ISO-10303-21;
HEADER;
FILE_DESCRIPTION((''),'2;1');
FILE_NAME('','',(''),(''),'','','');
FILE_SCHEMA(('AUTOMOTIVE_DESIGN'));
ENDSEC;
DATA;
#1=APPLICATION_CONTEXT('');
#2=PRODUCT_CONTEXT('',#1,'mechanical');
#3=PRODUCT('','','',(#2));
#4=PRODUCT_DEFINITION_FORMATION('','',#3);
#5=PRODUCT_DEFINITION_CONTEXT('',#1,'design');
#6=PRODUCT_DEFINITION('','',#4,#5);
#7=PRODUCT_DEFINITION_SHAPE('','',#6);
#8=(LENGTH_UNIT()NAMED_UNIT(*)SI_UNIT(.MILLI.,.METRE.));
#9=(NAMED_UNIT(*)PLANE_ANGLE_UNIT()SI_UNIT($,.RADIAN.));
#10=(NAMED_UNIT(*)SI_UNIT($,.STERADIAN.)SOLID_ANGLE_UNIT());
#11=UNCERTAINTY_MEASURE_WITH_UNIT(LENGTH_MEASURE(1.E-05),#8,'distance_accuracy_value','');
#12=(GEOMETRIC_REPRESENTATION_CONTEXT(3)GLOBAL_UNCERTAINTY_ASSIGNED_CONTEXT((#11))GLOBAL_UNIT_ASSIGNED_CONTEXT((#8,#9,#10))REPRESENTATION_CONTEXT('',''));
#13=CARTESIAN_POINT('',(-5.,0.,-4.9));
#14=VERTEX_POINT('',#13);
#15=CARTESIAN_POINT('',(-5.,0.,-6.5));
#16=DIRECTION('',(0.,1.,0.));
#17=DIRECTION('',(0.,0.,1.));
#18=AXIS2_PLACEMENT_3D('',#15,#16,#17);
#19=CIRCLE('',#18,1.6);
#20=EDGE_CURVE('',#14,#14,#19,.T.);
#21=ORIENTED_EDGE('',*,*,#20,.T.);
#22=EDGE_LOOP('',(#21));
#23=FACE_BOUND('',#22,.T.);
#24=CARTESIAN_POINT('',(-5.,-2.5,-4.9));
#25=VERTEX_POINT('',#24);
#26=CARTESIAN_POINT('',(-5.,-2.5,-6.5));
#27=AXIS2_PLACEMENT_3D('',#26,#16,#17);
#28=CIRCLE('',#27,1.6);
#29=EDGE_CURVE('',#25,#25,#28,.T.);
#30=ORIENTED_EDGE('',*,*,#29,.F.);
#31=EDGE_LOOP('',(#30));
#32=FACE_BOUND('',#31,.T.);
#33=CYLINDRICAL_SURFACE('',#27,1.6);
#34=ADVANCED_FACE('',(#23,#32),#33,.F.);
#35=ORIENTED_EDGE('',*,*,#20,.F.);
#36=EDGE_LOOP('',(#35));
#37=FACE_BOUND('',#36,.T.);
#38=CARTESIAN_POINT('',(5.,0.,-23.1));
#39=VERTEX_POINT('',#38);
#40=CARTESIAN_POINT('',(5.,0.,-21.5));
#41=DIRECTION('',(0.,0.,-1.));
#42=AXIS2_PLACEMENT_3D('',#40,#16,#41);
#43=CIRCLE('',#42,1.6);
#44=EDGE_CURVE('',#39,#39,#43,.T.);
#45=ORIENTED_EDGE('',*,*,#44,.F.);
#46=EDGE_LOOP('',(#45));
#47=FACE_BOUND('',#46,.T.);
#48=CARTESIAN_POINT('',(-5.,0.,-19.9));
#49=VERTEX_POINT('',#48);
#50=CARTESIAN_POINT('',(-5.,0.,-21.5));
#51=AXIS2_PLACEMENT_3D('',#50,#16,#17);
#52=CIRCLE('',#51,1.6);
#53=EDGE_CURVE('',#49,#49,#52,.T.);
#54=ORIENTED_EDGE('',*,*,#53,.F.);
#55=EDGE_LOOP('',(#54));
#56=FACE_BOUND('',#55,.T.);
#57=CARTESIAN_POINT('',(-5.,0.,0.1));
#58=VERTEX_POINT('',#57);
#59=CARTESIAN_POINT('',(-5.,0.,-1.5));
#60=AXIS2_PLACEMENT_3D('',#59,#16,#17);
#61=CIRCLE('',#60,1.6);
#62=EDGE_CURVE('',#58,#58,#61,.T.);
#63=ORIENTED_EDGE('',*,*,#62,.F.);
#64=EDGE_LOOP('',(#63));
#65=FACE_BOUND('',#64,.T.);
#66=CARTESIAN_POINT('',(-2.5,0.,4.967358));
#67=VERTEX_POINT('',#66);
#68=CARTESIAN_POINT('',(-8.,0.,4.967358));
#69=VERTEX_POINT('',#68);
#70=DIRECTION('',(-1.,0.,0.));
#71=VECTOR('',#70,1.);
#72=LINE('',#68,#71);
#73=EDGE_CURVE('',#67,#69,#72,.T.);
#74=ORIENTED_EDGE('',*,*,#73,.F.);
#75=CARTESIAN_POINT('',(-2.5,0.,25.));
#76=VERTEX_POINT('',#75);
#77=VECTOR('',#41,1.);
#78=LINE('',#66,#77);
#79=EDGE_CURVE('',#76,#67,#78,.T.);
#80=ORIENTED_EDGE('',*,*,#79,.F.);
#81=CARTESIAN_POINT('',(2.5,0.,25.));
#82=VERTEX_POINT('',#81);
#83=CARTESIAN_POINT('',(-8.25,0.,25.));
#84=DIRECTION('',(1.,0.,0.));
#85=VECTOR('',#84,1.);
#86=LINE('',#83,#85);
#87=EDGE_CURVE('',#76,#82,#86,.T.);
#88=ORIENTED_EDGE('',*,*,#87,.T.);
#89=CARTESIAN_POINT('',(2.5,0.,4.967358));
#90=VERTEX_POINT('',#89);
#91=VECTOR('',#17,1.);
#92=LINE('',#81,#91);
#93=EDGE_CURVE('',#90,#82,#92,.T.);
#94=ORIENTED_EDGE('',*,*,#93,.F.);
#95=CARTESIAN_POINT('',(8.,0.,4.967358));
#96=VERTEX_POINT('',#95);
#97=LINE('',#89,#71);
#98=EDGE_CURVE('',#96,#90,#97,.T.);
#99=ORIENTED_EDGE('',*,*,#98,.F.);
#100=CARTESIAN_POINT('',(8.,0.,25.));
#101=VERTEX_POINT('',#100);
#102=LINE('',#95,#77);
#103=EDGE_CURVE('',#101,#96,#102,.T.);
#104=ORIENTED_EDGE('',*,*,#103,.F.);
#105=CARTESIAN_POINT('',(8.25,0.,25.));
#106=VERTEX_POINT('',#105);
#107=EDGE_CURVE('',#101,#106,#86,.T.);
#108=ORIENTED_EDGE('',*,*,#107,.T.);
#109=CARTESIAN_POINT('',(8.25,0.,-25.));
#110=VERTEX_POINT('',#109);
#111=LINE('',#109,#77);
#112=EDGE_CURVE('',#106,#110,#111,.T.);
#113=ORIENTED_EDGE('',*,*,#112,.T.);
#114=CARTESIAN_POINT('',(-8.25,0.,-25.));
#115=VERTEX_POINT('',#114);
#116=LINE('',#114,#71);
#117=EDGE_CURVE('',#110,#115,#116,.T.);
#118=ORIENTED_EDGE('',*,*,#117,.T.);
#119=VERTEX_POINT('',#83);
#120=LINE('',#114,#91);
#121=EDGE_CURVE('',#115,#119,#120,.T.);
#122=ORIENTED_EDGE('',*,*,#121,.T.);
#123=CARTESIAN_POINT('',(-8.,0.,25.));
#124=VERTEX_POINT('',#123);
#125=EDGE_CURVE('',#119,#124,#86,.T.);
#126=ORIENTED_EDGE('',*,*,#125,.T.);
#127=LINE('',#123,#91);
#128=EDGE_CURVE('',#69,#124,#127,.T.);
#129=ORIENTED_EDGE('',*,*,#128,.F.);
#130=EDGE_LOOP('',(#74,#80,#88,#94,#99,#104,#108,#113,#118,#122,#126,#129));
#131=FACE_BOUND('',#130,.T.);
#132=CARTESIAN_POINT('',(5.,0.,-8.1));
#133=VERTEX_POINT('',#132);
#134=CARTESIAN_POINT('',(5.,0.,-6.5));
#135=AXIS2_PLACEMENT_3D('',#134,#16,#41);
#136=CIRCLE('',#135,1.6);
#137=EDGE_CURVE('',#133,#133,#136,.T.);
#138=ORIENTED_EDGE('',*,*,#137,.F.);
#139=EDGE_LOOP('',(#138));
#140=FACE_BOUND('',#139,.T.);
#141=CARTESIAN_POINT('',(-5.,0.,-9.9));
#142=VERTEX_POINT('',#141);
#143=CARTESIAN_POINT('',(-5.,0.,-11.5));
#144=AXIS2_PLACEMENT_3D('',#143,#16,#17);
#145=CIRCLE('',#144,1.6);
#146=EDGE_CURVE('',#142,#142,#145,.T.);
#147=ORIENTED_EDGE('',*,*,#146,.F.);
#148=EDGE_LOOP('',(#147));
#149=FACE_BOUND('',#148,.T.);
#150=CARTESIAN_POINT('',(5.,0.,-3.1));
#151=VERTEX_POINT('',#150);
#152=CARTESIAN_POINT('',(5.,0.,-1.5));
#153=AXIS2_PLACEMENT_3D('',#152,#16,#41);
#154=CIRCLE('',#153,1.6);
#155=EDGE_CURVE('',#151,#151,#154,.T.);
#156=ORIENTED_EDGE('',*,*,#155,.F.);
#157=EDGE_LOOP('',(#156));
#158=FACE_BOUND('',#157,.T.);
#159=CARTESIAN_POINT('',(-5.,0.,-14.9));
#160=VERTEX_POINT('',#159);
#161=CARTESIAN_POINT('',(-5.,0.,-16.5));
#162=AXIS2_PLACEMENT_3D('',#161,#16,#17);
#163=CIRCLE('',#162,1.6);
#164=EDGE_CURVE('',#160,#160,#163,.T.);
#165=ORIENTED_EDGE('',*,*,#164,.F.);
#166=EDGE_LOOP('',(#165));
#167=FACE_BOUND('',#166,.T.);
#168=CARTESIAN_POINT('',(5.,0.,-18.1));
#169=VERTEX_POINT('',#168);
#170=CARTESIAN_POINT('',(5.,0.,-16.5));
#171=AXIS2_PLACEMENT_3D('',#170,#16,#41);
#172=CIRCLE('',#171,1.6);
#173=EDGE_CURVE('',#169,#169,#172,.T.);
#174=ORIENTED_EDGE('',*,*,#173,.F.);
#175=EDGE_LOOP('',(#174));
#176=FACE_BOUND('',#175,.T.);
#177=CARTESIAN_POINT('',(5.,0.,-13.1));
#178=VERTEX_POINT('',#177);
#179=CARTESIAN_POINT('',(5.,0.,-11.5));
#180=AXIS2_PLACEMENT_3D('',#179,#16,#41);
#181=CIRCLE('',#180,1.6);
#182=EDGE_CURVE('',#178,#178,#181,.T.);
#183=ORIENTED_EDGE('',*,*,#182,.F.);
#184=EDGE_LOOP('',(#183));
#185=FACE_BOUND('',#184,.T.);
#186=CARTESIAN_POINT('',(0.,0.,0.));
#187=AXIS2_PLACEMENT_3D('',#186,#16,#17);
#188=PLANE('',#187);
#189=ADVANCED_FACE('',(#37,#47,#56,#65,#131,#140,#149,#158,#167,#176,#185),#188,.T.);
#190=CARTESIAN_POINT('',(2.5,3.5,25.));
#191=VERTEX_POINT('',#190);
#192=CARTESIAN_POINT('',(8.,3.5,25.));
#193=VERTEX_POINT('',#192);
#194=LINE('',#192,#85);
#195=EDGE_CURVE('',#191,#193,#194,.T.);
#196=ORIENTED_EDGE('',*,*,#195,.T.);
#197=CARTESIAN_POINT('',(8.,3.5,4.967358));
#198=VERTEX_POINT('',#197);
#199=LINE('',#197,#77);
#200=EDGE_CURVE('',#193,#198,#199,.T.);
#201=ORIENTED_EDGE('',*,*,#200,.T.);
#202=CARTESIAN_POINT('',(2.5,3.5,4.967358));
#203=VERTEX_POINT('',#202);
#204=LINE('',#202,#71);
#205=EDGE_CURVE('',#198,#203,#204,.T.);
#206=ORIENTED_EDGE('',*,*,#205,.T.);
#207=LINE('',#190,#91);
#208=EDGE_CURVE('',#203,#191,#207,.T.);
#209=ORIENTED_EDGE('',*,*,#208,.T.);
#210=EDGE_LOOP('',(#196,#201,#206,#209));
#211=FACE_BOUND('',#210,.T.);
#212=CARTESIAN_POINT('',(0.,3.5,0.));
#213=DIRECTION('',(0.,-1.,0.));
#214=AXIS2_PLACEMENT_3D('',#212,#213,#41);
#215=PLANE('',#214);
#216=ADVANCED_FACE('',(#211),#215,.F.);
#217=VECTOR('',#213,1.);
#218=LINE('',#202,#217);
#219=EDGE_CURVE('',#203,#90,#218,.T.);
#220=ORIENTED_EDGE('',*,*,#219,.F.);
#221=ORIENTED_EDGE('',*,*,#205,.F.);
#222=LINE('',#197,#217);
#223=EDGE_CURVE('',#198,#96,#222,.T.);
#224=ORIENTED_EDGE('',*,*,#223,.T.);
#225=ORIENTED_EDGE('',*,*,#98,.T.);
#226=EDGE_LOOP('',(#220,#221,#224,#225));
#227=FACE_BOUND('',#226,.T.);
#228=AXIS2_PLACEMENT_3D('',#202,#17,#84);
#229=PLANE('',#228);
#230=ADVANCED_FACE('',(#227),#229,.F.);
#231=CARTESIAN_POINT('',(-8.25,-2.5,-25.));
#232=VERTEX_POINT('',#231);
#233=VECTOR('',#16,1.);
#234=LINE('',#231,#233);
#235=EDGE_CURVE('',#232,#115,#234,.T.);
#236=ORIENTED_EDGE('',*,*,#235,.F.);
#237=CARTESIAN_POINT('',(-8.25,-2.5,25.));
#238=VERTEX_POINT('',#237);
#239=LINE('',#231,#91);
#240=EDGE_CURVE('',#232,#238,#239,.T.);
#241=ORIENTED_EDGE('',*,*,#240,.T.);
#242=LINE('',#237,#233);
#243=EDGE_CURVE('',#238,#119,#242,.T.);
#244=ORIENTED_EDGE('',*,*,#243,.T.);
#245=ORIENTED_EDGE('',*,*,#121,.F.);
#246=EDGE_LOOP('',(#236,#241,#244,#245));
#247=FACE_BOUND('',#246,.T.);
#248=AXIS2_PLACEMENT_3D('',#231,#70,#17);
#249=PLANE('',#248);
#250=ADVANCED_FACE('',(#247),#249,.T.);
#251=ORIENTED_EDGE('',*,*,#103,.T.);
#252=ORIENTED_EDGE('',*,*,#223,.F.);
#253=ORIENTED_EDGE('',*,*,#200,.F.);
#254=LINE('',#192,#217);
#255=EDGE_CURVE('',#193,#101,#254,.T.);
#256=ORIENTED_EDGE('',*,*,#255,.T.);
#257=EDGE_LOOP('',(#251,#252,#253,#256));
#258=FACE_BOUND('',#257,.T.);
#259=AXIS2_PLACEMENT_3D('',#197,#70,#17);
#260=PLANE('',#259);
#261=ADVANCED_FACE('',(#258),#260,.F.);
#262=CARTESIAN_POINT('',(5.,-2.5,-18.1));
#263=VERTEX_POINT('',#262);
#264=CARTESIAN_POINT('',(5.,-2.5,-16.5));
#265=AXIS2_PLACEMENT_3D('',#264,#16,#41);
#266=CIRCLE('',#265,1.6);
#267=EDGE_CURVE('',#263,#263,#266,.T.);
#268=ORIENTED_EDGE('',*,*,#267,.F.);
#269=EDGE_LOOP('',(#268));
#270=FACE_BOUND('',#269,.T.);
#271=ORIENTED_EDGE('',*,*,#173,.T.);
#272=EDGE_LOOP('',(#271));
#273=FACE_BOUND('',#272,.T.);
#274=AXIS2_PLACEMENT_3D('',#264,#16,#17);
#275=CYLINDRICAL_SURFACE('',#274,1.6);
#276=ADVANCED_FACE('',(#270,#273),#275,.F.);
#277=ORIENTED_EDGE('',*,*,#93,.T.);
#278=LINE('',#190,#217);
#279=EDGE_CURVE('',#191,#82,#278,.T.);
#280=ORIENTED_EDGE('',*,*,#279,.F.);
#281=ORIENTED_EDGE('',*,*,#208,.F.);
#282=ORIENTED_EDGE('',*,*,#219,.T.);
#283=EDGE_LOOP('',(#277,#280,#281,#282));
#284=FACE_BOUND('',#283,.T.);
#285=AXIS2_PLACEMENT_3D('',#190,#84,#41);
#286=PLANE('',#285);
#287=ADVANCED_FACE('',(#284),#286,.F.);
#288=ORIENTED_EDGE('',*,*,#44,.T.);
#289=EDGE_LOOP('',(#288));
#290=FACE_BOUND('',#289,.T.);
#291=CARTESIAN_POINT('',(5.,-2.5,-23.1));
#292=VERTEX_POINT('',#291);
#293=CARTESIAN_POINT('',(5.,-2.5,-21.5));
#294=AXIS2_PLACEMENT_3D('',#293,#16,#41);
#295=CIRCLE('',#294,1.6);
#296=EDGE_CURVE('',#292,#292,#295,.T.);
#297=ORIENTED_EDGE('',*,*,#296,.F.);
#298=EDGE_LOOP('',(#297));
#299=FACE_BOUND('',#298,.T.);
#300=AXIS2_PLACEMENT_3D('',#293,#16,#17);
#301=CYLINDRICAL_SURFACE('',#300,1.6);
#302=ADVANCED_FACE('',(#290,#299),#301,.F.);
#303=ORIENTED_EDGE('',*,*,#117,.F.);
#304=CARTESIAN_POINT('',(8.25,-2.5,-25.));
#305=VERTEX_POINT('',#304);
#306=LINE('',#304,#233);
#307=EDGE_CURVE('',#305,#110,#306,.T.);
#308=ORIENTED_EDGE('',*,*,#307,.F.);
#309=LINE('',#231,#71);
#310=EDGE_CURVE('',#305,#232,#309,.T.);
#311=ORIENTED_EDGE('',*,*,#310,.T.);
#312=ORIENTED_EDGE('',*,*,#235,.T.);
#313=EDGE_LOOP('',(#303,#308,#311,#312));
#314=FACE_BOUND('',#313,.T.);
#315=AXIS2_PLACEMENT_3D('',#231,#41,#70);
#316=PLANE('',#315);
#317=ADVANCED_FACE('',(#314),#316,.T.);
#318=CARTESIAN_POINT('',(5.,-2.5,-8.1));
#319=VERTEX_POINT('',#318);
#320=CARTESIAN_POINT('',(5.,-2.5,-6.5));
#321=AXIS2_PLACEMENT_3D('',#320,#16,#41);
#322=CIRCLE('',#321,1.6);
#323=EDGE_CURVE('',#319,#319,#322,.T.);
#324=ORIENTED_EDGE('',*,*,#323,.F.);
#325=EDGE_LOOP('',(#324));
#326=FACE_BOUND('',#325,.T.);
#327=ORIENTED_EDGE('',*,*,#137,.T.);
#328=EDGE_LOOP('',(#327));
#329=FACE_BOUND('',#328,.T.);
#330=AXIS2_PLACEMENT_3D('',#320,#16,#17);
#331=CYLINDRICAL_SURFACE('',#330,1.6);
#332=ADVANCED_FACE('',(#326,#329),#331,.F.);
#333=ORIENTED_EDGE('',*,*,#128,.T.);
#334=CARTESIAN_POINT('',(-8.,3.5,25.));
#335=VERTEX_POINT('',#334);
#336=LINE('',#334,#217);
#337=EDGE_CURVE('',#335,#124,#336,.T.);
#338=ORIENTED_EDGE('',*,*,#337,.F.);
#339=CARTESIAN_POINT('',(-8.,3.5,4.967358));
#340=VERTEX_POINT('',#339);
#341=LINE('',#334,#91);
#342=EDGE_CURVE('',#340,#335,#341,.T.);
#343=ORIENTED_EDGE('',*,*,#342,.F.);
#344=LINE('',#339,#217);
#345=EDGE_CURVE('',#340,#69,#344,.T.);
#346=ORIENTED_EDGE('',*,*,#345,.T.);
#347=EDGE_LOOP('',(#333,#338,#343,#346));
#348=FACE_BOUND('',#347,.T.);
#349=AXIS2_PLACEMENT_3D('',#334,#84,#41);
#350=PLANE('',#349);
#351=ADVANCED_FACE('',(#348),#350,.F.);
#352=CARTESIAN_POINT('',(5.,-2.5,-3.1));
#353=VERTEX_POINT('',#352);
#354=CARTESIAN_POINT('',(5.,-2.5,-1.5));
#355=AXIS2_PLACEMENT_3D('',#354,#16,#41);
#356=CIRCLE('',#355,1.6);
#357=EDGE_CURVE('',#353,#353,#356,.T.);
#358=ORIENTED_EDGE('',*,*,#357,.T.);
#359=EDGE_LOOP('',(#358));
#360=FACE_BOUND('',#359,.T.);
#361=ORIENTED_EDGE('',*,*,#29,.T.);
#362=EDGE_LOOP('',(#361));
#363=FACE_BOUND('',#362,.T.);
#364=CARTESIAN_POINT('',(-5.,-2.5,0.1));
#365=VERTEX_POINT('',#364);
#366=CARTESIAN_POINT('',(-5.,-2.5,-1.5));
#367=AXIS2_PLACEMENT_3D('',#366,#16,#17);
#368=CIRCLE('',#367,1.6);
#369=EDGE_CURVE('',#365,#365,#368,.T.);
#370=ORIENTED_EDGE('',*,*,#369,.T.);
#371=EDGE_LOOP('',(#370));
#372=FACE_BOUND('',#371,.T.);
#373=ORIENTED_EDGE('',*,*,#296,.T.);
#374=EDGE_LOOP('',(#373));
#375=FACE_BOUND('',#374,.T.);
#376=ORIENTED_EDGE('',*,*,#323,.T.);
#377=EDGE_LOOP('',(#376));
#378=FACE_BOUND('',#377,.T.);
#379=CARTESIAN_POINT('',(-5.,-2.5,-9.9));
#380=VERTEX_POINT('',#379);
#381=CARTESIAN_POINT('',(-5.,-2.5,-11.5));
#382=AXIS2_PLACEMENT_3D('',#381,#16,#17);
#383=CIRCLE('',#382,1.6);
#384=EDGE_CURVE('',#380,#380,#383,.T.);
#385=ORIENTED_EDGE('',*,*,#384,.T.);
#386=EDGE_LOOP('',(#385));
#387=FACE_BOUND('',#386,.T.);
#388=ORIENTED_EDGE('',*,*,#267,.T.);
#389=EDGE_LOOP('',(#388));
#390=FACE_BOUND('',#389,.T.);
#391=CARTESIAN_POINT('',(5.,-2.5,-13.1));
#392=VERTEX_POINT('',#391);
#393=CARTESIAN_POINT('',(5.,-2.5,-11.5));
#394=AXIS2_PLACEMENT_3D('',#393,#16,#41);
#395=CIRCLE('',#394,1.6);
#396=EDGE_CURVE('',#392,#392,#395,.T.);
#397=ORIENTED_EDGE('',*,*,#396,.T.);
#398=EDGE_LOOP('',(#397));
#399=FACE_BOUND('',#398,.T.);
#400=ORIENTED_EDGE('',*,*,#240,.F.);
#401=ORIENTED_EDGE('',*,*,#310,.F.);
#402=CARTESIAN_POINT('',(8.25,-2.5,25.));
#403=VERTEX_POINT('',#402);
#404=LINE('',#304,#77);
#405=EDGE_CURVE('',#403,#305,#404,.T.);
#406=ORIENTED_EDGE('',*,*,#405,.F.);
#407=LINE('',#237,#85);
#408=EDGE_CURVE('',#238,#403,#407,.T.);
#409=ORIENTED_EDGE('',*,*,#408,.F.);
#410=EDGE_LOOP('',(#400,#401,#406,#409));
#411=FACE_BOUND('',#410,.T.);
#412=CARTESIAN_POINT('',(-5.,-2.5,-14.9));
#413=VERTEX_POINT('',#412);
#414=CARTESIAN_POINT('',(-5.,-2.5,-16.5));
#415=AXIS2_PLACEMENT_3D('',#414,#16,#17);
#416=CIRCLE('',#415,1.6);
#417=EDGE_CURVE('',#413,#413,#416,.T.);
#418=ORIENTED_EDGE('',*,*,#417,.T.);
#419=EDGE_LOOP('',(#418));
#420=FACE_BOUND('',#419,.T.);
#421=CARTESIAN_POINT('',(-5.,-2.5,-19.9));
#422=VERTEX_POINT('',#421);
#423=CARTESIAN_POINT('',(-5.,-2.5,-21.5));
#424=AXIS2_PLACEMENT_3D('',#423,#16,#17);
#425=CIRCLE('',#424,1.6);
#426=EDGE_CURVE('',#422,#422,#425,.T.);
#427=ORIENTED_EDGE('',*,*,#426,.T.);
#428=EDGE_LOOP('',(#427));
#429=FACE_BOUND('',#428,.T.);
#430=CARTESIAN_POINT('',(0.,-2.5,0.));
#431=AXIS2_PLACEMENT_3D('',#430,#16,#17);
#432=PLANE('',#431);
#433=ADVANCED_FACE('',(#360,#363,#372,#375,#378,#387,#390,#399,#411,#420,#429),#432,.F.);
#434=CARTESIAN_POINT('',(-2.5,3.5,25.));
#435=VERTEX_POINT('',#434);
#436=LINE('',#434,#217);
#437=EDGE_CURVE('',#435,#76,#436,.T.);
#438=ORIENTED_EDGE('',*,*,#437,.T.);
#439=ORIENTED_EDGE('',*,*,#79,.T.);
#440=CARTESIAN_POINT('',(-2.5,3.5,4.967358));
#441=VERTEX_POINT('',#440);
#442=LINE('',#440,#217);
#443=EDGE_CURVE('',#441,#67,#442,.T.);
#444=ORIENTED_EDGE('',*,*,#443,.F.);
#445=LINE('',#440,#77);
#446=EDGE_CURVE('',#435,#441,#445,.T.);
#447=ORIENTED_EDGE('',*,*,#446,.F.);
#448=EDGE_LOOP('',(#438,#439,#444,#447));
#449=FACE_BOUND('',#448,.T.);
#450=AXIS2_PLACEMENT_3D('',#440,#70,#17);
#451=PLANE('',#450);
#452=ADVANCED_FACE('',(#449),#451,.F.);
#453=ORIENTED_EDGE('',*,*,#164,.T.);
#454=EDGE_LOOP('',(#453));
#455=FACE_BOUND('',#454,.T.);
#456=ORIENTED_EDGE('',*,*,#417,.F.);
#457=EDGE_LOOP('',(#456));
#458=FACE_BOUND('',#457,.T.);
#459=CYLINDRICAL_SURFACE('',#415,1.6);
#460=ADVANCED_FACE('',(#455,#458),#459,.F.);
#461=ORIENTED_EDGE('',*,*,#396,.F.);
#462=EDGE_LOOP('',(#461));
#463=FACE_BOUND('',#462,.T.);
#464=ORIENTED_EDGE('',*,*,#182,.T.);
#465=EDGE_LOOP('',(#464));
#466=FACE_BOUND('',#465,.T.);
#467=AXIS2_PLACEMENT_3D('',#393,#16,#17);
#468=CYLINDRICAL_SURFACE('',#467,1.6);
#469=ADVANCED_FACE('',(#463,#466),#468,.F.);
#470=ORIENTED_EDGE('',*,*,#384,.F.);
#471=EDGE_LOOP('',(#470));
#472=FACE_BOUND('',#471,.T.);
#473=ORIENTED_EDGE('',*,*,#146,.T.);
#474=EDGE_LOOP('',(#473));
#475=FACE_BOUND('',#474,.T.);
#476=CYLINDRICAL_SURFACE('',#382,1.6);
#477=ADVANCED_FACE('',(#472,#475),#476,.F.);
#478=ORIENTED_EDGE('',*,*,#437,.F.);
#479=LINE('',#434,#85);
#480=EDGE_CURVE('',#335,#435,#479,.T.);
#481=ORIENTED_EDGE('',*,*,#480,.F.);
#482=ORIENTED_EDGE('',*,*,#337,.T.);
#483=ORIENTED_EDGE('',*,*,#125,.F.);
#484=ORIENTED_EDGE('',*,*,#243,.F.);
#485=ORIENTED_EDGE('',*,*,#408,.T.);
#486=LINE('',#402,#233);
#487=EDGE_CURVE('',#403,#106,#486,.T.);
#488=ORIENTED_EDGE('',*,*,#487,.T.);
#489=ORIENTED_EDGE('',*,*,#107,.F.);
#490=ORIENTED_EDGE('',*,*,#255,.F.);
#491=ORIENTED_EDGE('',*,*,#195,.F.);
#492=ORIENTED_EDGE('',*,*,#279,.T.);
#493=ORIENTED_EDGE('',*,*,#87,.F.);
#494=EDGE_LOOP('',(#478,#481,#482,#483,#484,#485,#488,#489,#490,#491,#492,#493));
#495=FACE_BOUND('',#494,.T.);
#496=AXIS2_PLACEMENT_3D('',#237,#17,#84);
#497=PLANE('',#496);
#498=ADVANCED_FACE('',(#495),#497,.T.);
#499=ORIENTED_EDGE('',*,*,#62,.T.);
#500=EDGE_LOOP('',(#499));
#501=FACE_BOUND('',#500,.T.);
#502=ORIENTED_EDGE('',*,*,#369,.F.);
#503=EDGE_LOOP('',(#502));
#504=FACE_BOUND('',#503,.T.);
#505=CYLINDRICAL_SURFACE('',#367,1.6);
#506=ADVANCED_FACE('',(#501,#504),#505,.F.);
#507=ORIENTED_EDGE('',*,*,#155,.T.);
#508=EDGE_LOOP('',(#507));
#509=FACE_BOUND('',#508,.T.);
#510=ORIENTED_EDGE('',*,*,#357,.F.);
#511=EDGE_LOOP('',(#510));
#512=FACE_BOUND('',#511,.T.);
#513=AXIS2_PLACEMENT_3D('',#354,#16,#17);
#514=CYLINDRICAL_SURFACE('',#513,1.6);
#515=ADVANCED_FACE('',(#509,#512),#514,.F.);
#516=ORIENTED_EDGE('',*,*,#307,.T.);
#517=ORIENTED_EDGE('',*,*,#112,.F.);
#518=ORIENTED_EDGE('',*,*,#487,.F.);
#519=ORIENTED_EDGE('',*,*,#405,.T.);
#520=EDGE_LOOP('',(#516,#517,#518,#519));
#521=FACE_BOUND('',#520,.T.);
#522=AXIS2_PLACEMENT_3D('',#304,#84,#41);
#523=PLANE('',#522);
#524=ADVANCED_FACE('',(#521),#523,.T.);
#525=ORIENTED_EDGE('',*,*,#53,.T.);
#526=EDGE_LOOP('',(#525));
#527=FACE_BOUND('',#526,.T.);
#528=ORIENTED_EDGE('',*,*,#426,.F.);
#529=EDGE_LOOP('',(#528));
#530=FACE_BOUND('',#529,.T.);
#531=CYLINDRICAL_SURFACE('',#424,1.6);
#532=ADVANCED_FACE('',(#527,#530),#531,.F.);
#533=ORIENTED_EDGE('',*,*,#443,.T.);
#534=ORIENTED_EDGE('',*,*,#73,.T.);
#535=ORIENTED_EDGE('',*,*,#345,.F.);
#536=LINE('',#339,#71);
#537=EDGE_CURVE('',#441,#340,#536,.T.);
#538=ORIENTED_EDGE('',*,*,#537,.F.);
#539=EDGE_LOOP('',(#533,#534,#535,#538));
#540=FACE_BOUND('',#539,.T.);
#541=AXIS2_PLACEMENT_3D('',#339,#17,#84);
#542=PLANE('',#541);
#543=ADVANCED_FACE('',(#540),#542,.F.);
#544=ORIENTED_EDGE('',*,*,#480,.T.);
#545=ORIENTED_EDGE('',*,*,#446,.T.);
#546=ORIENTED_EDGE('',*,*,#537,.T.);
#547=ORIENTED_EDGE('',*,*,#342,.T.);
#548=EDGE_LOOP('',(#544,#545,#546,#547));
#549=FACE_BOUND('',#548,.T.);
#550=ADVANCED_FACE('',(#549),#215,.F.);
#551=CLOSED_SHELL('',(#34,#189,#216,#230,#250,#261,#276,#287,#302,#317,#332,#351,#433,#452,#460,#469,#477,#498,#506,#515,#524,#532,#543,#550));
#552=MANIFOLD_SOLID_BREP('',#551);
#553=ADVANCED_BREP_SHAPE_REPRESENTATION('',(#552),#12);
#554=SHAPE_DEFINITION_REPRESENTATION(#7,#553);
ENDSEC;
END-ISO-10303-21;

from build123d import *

# Parameters (mm, degrees)
SKETCH1_W           = 16.5
SKETCH1_H           = 50
BOSS_EXTRUDE1_DEPTH = 2.5
SKETCH2_W           = 5.5
SKETCH2_H           = 20.032642475
BOSS_EXTRUDE2_DEPTH = 3.5
SKETCH4_R           = 1.6
CUT_EXTRUDE1_DEPTH  = 3.5
LPATTERN1_COUNT     = 5
LPATTERN1_PITCH     = 5


with BuildPart() as part:
    # Sketch1 → Boss-Extrude1 (new body)
    with BuildSketch(Plane(origin=(0, 0, 0), x_dir=(1, 0, 0), z_dir=(0, 1, 0))):
        Rectangle(SKETCH1_W, SKETCH1_H)
    extrude(amount=-BOSS_EXTRUDE1_DEPTH)

    # Sketch2 → Boss-Extrude2 (add)
    with BuildSketch(Plane(origin=(0, 0, 0), x_dir=(1, 0, 0), z_dir=(0, 1, 0))):
        with Locations((-5.25, -14.983678763)):
            Rectangle(SKETCH2_W, SKETCH2_H)
        with Locations((5.25, -14.983678763)):
            Rectangle(SKETCH2_W, SKETCH2_H)
    extrude(amount=BOSS_EXTRUDE2_DEPTH)

    # Sketch4 → Cut-Extrude1 (cut, through all)
    with BuildSketch(Plane(origin=(0, 0, 0), x_dir=(1, 0, 0), z_dir=(0, 1, 0))):
        with Locations((-5, 21.5)):
            Circle(SKETCH4_R)
        with Locations((5, 21.5)):
            Circle(SKETCH4_R)
    cut_extrude1 = extrude(amount=-CUT_EXTRUDE1_DEPTH, mode=Mode.SUBTRACT)

    # LPattern1: Cut-Extrude1 ×5
    with Locations(*[(0, 0, i * LPATTERN1_PITCH) for i in range(1, LPATTERN1_COUNT)]):
        add(cut_extrude1, mode=Mode.SUBTRACT)


solid = part.part
